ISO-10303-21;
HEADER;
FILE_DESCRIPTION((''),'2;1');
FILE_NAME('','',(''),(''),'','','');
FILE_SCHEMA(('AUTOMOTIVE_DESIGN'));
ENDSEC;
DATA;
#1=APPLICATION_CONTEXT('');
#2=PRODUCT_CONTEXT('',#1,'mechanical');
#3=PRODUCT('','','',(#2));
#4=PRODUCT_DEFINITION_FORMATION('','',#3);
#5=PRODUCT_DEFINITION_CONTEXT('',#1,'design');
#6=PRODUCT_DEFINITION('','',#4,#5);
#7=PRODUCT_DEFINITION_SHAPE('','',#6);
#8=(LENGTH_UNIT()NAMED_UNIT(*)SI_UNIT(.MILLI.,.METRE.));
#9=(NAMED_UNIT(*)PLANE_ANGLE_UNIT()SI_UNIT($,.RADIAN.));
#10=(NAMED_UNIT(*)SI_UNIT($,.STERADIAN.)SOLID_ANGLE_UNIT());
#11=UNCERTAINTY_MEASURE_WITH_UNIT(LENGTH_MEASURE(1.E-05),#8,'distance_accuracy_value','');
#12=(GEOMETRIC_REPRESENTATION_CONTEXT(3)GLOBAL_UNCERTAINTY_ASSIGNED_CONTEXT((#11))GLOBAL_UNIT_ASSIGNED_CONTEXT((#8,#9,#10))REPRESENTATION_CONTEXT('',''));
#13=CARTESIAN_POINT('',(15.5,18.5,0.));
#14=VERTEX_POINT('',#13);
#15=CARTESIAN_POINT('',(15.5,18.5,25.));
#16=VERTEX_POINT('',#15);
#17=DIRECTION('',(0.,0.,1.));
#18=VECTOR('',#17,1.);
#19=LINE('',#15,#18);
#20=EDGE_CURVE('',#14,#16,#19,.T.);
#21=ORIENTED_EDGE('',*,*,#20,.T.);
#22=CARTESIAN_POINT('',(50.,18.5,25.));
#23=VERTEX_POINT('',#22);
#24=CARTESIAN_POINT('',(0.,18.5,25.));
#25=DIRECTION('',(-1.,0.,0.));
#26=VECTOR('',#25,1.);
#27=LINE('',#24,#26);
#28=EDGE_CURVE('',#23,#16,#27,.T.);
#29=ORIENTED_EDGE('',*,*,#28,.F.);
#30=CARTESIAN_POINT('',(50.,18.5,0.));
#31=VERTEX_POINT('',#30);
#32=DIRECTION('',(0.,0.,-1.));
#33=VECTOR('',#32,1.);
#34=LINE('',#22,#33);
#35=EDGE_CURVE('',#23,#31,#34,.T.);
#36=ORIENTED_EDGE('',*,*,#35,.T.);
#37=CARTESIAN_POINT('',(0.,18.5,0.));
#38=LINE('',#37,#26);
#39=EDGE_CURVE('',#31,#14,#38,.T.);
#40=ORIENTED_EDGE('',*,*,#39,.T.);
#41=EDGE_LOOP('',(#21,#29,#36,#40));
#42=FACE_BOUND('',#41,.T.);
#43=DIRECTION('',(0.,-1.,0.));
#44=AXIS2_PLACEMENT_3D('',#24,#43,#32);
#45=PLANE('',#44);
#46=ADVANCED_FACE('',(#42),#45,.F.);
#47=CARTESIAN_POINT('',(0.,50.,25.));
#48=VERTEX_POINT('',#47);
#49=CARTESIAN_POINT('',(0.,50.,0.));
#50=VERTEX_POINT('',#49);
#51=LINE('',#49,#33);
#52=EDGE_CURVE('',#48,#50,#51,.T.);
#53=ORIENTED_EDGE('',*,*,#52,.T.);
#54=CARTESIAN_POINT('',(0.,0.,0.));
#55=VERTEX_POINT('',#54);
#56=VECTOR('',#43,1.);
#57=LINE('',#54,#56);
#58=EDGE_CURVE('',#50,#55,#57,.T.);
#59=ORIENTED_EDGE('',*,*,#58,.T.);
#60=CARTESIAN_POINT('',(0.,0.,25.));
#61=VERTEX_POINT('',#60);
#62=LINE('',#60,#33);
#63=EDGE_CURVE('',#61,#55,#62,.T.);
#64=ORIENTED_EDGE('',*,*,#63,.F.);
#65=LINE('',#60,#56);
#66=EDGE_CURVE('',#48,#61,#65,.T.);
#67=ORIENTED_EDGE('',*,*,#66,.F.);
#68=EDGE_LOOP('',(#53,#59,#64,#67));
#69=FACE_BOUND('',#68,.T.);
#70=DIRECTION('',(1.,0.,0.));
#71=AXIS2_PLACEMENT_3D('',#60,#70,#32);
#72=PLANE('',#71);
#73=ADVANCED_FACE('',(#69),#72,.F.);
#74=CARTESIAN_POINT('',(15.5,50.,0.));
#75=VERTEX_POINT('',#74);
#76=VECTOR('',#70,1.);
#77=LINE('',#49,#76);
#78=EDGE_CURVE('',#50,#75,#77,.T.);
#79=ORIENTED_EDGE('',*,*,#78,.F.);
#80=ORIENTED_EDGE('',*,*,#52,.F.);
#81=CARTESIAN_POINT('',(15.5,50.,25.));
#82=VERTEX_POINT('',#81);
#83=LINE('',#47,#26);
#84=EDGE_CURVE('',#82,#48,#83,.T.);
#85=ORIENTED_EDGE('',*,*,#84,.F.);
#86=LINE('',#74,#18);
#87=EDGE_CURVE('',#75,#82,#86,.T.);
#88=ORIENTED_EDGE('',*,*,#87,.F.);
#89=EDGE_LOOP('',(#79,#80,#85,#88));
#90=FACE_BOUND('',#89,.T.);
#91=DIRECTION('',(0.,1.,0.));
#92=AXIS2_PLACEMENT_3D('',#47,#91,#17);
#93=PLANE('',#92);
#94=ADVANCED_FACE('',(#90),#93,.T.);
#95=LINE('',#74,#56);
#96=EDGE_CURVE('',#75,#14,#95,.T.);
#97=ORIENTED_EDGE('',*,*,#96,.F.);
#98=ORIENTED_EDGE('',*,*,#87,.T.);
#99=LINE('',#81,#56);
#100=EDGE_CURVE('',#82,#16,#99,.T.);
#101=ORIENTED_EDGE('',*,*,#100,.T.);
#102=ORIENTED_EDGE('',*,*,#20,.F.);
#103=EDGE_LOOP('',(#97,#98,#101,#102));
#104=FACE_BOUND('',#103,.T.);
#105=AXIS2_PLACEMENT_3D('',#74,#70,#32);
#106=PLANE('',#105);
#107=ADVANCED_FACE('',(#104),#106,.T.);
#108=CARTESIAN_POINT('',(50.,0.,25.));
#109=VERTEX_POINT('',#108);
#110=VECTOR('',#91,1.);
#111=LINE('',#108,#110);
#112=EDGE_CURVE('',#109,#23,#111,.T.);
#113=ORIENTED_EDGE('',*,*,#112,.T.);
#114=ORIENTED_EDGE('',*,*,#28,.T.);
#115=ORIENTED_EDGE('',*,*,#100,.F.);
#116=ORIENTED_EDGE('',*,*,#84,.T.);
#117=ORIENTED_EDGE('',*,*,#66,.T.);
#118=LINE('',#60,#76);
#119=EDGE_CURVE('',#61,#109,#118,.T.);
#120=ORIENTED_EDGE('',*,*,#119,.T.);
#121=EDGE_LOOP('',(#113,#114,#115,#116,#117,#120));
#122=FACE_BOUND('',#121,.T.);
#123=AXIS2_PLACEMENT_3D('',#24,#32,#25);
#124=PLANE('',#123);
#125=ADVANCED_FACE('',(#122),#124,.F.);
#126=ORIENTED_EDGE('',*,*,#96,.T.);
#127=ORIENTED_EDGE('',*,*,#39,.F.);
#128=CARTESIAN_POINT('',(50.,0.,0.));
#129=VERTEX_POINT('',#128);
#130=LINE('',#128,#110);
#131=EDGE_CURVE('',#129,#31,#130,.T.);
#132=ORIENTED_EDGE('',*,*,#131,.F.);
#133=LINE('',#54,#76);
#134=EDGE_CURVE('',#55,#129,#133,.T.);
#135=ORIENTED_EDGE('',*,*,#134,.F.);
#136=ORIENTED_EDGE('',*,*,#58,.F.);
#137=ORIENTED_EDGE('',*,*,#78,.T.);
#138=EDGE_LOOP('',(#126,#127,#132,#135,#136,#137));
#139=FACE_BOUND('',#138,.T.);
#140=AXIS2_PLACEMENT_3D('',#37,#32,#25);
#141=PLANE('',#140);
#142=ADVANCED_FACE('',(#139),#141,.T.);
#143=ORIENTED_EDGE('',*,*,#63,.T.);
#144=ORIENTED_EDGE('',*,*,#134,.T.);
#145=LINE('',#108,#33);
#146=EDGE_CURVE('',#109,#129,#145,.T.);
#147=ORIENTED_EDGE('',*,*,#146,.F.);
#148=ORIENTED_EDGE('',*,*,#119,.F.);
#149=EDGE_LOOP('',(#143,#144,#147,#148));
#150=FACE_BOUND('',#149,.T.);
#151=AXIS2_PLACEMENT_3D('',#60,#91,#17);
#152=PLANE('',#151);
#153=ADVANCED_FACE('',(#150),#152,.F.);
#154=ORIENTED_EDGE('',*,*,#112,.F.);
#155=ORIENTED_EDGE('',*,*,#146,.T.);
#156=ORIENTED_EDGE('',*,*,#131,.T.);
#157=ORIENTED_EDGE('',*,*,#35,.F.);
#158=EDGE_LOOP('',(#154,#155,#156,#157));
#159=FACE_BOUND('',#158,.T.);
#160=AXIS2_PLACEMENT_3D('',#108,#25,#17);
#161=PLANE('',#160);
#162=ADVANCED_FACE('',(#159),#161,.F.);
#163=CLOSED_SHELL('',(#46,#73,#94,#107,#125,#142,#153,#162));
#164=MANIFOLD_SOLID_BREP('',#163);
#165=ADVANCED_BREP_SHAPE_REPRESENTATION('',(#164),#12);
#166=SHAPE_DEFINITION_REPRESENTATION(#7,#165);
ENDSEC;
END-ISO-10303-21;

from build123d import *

# Parameters (mm, degrees)
SKETCH1_W           = 50
SKETCH1_H           = 18.5
BOSS_EXTRUDE1_DEPTH = 25
SKETCH2_W           = 15.5
SKETCH2_H           = 25
BOSS_EXTRUDE2_DEPTH = 50


with BuildPart() as part:
    # Sketch1 → Boss-Extrude1 (new body)
    with BuildSketch(Plane.XY):
        with Locations((25, 9.25)):
            Rectangle(SKETCH1_W, SKETCH1_H)
    extrude(amount=BOSS_EXTRUDE1_DEPTH)

    # Sketch2 → Boss-Extrude2 (add)
    with BuildSketch(Plane.XZ):
        with Locations((7.75, 12.5)):
            Rectangle(SKETCH2_W, SKETCH2_H)
    extrude(amount=-BOSS_EXTRUDE2_DEPTH)


solid = part.part
